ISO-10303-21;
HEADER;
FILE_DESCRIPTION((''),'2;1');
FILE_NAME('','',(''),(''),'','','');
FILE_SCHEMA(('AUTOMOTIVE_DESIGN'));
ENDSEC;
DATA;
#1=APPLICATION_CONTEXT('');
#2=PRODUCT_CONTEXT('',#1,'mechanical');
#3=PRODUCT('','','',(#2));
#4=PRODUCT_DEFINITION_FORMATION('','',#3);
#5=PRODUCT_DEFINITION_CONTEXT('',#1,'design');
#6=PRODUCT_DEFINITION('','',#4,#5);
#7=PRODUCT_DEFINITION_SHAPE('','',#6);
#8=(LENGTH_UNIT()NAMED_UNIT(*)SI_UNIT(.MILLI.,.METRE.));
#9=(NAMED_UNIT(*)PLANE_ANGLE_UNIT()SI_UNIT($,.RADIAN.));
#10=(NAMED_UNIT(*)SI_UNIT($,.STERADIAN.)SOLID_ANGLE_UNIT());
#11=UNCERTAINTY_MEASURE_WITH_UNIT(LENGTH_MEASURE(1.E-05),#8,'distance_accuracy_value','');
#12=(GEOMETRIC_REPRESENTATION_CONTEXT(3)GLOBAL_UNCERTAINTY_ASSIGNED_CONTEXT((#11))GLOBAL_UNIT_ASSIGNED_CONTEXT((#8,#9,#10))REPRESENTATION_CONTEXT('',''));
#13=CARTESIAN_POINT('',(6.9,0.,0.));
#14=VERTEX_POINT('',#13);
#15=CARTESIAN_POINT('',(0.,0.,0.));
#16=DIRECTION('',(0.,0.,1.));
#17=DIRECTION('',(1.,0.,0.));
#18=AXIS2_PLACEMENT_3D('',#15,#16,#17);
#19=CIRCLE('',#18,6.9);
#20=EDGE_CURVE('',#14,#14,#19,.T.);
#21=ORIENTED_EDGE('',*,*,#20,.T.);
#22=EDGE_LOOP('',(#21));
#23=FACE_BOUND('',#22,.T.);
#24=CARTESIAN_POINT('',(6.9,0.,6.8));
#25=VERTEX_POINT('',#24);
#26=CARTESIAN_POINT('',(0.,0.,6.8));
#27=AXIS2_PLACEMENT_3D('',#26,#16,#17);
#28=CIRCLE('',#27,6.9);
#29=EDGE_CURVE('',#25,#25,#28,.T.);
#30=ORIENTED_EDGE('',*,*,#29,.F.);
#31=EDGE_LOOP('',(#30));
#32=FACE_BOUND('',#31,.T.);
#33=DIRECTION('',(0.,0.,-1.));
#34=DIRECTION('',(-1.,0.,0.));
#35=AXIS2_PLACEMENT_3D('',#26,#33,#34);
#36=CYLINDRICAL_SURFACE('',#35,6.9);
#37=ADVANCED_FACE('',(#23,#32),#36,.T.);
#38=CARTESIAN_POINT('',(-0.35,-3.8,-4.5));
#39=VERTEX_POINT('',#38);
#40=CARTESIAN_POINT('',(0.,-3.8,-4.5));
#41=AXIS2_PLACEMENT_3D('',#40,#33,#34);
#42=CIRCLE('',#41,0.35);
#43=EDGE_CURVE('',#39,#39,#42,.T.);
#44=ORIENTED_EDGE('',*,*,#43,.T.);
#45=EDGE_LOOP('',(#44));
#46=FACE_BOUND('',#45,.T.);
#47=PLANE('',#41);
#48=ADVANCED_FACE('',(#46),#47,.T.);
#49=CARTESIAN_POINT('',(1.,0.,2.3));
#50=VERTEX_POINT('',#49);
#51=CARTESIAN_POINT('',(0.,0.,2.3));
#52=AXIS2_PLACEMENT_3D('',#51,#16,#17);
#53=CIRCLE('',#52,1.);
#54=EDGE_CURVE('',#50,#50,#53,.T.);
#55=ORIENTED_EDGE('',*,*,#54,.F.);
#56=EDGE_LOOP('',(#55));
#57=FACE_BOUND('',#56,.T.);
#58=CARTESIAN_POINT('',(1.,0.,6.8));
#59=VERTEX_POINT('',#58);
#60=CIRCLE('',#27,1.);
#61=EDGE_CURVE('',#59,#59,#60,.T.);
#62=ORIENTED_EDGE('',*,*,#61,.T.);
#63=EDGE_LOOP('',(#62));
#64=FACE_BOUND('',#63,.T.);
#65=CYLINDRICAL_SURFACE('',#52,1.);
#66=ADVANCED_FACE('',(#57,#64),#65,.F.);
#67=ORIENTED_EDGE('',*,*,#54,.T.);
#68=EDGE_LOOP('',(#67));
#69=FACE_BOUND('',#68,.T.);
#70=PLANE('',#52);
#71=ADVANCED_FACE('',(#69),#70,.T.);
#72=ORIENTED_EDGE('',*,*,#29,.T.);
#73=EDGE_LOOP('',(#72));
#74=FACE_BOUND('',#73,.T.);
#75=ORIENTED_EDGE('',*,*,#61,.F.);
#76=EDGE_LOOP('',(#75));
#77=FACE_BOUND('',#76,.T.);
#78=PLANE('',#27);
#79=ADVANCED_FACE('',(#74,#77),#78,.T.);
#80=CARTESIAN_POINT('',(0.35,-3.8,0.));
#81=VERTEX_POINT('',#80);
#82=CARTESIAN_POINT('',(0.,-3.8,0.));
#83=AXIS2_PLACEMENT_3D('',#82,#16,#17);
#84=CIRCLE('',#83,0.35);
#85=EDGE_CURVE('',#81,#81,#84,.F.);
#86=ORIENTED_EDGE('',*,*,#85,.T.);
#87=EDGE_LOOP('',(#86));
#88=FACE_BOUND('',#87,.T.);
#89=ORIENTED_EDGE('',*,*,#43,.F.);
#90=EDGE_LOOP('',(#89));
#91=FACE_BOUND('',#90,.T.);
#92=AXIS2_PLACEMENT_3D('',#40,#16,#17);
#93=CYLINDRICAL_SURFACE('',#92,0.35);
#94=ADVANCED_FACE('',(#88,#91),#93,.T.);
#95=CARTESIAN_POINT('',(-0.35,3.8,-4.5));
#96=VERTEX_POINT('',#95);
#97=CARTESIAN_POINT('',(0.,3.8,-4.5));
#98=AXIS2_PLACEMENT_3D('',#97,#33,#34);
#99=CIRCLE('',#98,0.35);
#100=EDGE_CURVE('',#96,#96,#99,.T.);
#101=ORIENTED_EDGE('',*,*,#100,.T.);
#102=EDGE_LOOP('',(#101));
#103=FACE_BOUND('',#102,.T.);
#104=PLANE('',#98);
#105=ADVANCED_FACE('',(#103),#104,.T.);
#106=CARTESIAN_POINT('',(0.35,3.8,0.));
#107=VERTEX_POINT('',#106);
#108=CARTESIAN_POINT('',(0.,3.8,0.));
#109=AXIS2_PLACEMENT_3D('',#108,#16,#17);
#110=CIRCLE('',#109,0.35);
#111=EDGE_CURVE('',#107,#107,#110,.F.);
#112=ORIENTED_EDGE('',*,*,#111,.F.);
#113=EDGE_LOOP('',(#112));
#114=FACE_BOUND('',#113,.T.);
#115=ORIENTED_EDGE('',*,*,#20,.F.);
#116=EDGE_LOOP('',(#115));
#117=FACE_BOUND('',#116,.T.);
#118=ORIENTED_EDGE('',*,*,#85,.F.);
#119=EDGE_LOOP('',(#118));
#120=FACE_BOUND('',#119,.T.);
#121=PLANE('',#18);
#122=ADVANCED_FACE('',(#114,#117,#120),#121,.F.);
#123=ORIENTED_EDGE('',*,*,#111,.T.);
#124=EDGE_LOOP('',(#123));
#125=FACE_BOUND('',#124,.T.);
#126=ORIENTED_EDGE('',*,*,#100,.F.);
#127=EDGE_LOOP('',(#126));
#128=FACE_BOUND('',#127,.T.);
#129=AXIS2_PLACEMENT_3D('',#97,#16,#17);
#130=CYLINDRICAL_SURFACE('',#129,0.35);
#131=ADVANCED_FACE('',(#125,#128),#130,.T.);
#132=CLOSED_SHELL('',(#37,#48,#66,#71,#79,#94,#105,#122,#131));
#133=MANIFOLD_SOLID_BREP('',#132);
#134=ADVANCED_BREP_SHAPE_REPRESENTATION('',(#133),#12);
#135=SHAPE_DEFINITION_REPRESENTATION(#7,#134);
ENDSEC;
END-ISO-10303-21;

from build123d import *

# Parameters (mm, degrees)
SKETCH_1_R          = 6.9
EXTRUDE_1_DEPTH     = 6.8
SKETCH_2_R          = 0.35
EXTRUDE_2_DEPTH     = 4.5
SKETCH_3_R          = 1
CUT_EXTRUDE_1_DEPTH = 4.5


with BuildPart() as part:
    # Эскиз1 → Бобышка-Вытянуть1 (new body)
    with BuildSketch(Plane.XY):
        Circle(SKETCH_1_R)
    extrude(amount=EXTRUDE_1_DEPTH)

    # Эскиз2 → Бобышка-Вытянуть2 (add)
    with BuildSketch(Plane(origin=(0, 0, 0), x_dir=(-1, 0, 0), z_dir=(0, 0, -1))):
        with Locations(Location((0, 3.8, 0), (0, 0, 180))):
            Circle(SKETCH_2_R)
        with Locations(Location((0, -3.8, 0), (0, 0, 180))):
            Circle(SKETCH_2_R)
    extrude(amount=EXTRUDE_2_DEPTH)

    # Эскиз3 → Вырез-Вытянуть1 (cut)
    with BuildSketch(Plane.XY.offset(6.8)):
        Circle(SKETCH_3_R)
    extrude(amount=-CUT_EXTRUDE_1_DEPTH, mode=Mode.SUBTRACT)


solid = part.part
